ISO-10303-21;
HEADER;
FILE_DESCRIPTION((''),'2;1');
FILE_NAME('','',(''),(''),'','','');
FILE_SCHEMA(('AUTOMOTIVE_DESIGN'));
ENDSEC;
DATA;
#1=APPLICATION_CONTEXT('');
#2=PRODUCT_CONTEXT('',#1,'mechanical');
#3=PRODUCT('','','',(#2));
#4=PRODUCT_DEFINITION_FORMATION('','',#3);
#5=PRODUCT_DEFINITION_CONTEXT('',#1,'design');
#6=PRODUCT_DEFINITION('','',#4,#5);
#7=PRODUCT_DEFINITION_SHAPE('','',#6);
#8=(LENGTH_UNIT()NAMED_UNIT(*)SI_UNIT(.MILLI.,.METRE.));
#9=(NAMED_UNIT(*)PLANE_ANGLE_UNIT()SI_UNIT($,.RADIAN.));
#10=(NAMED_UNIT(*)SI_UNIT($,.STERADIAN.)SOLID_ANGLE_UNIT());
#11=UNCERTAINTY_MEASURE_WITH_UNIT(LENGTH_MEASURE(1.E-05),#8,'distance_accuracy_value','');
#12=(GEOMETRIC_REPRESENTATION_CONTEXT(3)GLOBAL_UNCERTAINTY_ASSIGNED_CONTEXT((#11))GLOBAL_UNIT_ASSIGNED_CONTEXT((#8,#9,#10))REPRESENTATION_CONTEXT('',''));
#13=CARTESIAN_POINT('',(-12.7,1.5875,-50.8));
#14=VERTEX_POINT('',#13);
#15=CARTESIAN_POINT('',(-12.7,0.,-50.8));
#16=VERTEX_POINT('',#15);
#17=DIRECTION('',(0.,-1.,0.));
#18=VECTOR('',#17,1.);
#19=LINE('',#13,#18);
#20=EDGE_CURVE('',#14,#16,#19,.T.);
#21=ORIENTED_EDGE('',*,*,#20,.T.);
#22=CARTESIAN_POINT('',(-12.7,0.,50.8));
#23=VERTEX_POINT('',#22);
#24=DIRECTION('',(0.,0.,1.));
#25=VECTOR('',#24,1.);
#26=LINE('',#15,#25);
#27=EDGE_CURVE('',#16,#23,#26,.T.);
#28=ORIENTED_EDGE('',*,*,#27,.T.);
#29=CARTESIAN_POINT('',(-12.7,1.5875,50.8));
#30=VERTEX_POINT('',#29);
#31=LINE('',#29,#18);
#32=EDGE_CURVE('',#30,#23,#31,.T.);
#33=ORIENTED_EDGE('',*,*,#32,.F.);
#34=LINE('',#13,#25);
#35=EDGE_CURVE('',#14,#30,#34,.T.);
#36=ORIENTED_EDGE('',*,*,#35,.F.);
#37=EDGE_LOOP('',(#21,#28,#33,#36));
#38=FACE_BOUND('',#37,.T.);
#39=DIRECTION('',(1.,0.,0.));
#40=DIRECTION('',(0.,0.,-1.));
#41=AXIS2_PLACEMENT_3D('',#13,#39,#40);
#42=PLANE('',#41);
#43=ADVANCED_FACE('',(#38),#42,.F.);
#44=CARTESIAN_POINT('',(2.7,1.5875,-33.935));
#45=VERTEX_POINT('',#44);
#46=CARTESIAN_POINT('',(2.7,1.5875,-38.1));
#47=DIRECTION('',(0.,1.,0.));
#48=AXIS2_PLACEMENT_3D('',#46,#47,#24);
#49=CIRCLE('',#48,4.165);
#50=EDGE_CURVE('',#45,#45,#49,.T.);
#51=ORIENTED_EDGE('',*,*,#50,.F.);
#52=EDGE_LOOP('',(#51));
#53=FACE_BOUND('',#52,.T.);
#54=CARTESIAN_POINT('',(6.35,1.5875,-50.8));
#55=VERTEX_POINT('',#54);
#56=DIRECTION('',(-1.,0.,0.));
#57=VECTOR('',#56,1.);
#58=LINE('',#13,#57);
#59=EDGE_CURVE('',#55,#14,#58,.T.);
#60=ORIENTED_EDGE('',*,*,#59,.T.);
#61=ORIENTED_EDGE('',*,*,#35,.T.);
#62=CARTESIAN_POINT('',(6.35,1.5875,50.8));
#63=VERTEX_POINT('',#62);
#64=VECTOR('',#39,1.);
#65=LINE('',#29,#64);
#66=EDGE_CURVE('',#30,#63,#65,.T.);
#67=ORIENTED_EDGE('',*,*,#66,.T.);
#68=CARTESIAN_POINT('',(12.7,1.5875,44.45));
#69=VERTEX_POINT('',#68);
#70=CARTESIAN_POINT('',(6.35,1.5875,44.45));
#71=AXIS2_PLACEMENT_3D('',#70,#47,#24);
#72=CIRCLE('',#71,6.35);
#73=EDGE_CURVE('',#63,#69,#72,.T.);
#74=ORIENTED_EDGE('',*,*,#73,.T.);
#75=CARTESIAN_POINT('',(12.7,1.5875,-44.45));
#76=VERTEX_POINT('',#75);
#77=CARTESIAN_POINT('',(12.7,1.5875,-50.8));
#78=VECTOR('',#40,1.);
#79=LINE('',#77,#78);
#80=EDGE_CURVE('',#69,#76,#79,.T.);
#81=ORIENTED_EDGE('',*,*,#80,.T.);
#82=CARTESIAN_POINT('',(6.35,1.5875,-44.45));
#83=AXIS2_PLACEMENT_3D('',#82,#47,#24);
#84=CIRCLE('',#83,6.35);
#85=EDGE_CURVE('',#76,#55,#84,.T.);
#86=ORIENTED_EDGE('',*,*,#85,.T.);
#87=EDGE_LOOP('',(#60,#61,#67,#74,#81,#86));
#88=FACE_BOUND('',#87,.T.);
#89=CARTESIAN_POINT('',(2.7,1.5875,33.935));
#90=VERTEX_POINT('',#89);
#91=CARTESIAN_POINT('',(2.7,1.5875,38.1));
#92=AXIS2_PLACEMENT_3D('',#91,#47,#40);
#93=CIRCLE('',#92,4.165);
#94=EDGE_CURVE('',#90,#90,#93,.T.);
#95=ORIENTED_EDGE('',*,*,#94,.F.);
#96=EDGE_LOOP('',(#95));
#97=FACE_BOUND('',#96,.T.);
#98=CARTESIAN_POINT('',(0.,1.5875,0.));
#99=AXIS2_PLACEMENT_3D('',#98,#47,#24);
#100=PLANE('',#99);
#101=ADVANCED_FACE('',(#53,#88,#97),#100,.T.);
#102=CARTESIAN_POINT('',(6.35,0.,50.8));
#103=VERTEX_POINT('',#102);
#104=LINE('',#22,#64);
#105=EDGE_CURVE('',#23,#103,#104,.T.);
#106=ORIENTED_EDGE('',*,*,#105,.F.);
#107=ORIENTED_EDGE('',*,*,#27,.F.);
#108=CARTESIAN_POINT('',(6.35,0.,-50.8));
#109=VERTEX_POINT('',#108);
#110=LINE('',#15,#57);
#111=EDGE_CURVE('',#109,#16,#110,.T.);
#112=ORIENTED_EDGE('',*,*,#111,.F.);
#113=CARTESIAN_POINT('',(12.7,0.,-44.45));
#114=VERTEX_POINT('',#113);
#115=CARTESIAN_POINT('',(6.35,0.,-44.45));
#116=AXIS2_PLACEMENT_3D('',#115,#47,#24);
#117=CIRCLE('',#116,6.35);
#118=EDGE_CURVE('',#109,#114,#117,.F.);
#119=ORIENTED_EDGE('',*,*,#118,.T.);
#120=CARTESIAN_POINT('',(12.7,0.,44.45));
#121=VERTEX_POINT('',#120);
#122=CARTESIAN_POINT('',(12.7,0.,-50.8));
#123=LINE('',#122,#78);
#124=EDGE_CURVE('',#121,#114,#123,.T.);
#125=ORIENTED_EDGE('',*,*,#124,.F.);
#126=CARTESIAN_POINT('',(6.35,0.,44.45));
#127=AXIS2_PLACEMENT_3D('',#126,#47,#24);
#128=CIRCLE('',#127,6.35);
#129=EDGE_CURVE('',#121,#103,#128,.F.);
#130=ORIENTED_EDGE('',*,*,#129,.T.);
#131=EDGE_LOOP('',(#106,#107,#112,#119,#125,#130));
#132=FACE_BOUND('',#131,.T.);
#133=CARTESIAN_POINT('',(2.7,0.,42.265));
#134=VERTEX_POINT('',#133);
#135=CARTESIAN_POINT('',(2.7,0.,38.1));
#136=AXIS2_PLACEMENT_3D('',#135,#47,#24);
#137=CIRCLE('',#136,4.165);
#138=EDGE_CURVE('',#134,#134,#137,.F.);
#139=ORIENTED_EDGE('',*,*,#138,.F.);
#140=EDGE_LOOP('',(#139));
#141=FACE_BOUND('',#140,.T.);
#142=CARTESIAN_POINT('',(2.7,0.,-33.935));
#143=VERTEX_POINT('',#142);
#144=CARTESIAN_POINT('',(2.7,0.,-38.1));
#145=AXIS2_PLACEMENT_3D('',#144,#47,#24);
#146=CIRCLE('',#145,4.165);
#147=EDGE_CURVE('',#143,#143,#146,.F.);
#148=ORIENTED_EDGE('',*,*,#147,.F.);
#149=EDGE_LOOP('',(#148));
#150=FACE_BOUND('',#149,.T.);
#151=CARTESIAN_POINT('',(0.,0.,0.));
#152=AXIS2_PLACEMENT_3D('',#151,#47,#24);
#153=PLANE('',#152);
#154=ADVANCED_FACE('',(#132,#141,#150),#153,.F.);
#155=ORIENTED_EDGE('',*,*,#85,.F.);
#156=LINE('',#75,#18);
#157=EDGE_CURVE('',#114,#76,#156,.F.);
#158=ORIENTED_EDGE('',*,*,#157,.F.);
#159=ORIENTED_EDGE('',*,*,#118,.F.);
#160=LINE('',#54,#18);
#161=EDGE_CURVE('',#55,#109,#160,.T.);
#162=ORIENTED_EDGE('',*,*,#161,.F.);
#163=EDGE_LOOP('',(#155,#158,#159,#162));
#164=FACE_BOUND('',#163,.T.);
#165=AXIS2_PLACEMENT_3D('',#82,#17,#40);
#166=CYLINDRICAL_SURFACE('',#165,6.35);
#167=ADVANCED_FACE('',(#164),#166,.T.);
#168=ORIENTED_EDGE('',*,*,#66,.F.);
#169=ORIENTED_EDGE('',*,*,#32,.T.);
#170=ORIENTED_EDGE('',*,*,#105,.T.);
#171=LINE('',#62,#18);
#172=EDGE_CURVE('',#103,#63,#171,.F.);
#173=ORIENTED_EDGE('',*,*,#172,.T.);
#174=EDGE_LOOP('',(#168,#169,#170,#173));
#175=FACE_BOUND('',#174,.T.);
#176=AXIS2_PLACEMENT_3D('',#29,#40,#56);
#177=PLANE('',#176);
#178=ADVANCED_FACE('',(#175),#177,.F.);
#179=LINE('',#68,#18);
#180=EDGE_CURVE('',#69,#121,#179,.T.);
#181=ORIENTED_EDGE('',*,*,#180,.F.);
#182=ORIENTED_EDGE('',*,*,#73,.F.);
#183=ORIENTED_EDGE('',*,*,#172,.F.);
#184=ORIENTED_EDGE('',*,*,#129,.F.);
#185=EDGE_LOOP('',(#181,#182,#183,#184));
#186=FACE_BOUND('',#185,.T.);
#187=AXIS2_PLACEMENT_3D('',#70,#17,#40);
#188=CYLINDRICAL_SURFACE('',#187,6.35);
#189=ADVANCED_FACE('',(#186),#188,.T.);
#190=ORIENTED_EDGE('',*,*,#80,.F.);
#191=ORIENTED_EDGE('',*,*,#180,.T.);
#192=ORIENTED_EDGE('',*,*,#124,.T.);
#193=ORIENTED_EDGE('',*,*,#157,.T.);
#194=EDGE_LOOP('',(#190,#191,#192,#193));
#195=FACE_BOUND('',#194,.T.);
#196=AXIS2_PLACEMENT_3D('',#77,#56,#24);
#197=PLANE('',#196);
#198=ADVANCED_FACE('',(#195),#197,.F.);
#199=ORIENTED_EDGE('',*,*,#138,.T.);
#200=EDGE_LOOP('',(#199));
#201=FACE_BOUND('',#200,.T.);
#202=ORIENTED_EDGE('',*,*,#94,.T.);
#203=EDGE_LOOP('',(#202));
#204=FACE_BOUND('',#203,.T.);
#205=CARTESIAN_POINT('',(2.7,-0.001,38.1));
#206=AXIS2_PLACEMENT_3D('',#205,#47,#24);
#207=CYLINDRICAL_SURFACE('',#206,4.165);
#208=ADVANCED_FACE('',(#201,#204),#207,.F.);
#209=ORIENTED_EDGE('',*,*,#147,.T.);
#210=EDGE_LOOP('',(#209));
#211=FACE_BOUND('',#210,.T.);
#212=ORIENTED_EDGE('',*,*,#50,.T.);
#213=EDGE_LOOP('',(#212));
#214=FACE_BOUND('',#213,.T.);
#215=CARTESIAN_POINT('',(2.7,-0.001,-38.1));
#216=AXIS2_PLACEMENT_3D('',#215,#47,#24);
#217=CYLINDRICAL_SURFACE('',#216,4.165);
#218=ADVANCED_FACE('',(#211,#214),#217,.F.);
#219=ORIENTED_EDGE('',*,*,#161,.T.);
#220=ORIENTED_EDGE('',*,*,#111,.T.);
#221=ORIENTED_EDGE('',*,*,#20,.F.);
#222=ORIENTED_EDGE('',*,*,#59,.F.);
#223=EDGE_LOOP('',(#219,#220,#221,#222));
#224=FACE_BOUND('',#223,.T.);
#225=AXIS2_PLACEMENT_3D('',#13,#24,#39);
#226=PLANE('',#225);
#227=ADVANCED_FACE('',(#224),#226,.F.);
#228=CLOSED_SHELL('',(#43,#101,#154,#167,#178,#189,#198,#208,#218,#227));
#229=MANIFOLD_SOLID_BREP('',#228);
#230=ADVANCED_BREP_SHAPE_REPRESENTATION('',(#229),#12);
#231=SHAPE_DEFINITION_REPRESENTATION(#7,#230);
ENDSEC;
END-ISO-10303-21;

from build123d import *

# Parameters (mm, degrees)
SKETCH1_W           = 25.4
SKETCH1_H           = 101.6
BOSS_EXTRUDE1_DEPTH = 1.5875
FILLET2_R           = 6.35
CUT_EXTRUDE1_REACH  = 54.388
SKETCH2_R           = 4.165


with BuildPart() as part:
    # Sketch1 → Boss-Extrude1 (new body)
    with BuildSketch(Plane(origin=(0, 0, 0), x_dir=(1, 0, 0), z_dir=(0, 1, 0))):
        Rectangle(SKETCH1_W, SKETCH1_H)
    extrude(amount=BOSS_EXTRUDE1_DEPTH)

    # Fillet2
    fillet2_edges = [part.edges().sort_by_distance(p)[0] for p in [
        (12.7, 0.79375, 50.8),
        (12.7, 0.79375, -50.8),
    ]]
    fillet(fillet2_edges, radius=FILLET2_R)

    # Sketch2 → Cut-Extrude1 (cut, up to next)
    with BuildSketch(Plane(origin=(0, 1.5875, 0), x_dir=(1, 0, 0), z_dir=(0, 1, 0)), mode=Mode.PRIVATE) as cut_extrude1_sk1:
        with Locations(Location((2.7, 38.1, 0), (0, 0, 270))):
            Circle(SKETCH2_R)
    cut_extrude1_tool1 = extrude(cut_extrude1_sk1.sketch, amount=-CUT_EXTRUDE1_REACH, mode=Mode.PRIVATE) & part.part
    # Sketch2 → Cut-Extrude1 (cut, up to next)
    with BuildSketch(Plane(origin=(0, 1.5875, 0), x_dir=(1, 0, 0), z_dir=(0, 1, 0)), mode=Mode.PRIVATE) as cut_extrude1_sk2:
        with Locations(Location((2.7, -38.1, 0), (0, 0, 270))):
            Circle(SKETCH2_R)
    cut_extrude1_tool2 = extrude(cut_extrude1_sk2.sketch, amount=-CUT_EXTRUDE1_REACH, mode=Mode.PRIVATE) & part.part
    add(cut_extrude1_tool1.solids().sort_by_distance((2.7, 1.5875, -38.1))[0], mode=Mode.SUBTRACT)
    add(cut_extrude1_tool2.solids().sort_by_distance((2.7, 1.5875, 38.1))[0], mode=Mode.SUBTRACT)


solid = part.part
